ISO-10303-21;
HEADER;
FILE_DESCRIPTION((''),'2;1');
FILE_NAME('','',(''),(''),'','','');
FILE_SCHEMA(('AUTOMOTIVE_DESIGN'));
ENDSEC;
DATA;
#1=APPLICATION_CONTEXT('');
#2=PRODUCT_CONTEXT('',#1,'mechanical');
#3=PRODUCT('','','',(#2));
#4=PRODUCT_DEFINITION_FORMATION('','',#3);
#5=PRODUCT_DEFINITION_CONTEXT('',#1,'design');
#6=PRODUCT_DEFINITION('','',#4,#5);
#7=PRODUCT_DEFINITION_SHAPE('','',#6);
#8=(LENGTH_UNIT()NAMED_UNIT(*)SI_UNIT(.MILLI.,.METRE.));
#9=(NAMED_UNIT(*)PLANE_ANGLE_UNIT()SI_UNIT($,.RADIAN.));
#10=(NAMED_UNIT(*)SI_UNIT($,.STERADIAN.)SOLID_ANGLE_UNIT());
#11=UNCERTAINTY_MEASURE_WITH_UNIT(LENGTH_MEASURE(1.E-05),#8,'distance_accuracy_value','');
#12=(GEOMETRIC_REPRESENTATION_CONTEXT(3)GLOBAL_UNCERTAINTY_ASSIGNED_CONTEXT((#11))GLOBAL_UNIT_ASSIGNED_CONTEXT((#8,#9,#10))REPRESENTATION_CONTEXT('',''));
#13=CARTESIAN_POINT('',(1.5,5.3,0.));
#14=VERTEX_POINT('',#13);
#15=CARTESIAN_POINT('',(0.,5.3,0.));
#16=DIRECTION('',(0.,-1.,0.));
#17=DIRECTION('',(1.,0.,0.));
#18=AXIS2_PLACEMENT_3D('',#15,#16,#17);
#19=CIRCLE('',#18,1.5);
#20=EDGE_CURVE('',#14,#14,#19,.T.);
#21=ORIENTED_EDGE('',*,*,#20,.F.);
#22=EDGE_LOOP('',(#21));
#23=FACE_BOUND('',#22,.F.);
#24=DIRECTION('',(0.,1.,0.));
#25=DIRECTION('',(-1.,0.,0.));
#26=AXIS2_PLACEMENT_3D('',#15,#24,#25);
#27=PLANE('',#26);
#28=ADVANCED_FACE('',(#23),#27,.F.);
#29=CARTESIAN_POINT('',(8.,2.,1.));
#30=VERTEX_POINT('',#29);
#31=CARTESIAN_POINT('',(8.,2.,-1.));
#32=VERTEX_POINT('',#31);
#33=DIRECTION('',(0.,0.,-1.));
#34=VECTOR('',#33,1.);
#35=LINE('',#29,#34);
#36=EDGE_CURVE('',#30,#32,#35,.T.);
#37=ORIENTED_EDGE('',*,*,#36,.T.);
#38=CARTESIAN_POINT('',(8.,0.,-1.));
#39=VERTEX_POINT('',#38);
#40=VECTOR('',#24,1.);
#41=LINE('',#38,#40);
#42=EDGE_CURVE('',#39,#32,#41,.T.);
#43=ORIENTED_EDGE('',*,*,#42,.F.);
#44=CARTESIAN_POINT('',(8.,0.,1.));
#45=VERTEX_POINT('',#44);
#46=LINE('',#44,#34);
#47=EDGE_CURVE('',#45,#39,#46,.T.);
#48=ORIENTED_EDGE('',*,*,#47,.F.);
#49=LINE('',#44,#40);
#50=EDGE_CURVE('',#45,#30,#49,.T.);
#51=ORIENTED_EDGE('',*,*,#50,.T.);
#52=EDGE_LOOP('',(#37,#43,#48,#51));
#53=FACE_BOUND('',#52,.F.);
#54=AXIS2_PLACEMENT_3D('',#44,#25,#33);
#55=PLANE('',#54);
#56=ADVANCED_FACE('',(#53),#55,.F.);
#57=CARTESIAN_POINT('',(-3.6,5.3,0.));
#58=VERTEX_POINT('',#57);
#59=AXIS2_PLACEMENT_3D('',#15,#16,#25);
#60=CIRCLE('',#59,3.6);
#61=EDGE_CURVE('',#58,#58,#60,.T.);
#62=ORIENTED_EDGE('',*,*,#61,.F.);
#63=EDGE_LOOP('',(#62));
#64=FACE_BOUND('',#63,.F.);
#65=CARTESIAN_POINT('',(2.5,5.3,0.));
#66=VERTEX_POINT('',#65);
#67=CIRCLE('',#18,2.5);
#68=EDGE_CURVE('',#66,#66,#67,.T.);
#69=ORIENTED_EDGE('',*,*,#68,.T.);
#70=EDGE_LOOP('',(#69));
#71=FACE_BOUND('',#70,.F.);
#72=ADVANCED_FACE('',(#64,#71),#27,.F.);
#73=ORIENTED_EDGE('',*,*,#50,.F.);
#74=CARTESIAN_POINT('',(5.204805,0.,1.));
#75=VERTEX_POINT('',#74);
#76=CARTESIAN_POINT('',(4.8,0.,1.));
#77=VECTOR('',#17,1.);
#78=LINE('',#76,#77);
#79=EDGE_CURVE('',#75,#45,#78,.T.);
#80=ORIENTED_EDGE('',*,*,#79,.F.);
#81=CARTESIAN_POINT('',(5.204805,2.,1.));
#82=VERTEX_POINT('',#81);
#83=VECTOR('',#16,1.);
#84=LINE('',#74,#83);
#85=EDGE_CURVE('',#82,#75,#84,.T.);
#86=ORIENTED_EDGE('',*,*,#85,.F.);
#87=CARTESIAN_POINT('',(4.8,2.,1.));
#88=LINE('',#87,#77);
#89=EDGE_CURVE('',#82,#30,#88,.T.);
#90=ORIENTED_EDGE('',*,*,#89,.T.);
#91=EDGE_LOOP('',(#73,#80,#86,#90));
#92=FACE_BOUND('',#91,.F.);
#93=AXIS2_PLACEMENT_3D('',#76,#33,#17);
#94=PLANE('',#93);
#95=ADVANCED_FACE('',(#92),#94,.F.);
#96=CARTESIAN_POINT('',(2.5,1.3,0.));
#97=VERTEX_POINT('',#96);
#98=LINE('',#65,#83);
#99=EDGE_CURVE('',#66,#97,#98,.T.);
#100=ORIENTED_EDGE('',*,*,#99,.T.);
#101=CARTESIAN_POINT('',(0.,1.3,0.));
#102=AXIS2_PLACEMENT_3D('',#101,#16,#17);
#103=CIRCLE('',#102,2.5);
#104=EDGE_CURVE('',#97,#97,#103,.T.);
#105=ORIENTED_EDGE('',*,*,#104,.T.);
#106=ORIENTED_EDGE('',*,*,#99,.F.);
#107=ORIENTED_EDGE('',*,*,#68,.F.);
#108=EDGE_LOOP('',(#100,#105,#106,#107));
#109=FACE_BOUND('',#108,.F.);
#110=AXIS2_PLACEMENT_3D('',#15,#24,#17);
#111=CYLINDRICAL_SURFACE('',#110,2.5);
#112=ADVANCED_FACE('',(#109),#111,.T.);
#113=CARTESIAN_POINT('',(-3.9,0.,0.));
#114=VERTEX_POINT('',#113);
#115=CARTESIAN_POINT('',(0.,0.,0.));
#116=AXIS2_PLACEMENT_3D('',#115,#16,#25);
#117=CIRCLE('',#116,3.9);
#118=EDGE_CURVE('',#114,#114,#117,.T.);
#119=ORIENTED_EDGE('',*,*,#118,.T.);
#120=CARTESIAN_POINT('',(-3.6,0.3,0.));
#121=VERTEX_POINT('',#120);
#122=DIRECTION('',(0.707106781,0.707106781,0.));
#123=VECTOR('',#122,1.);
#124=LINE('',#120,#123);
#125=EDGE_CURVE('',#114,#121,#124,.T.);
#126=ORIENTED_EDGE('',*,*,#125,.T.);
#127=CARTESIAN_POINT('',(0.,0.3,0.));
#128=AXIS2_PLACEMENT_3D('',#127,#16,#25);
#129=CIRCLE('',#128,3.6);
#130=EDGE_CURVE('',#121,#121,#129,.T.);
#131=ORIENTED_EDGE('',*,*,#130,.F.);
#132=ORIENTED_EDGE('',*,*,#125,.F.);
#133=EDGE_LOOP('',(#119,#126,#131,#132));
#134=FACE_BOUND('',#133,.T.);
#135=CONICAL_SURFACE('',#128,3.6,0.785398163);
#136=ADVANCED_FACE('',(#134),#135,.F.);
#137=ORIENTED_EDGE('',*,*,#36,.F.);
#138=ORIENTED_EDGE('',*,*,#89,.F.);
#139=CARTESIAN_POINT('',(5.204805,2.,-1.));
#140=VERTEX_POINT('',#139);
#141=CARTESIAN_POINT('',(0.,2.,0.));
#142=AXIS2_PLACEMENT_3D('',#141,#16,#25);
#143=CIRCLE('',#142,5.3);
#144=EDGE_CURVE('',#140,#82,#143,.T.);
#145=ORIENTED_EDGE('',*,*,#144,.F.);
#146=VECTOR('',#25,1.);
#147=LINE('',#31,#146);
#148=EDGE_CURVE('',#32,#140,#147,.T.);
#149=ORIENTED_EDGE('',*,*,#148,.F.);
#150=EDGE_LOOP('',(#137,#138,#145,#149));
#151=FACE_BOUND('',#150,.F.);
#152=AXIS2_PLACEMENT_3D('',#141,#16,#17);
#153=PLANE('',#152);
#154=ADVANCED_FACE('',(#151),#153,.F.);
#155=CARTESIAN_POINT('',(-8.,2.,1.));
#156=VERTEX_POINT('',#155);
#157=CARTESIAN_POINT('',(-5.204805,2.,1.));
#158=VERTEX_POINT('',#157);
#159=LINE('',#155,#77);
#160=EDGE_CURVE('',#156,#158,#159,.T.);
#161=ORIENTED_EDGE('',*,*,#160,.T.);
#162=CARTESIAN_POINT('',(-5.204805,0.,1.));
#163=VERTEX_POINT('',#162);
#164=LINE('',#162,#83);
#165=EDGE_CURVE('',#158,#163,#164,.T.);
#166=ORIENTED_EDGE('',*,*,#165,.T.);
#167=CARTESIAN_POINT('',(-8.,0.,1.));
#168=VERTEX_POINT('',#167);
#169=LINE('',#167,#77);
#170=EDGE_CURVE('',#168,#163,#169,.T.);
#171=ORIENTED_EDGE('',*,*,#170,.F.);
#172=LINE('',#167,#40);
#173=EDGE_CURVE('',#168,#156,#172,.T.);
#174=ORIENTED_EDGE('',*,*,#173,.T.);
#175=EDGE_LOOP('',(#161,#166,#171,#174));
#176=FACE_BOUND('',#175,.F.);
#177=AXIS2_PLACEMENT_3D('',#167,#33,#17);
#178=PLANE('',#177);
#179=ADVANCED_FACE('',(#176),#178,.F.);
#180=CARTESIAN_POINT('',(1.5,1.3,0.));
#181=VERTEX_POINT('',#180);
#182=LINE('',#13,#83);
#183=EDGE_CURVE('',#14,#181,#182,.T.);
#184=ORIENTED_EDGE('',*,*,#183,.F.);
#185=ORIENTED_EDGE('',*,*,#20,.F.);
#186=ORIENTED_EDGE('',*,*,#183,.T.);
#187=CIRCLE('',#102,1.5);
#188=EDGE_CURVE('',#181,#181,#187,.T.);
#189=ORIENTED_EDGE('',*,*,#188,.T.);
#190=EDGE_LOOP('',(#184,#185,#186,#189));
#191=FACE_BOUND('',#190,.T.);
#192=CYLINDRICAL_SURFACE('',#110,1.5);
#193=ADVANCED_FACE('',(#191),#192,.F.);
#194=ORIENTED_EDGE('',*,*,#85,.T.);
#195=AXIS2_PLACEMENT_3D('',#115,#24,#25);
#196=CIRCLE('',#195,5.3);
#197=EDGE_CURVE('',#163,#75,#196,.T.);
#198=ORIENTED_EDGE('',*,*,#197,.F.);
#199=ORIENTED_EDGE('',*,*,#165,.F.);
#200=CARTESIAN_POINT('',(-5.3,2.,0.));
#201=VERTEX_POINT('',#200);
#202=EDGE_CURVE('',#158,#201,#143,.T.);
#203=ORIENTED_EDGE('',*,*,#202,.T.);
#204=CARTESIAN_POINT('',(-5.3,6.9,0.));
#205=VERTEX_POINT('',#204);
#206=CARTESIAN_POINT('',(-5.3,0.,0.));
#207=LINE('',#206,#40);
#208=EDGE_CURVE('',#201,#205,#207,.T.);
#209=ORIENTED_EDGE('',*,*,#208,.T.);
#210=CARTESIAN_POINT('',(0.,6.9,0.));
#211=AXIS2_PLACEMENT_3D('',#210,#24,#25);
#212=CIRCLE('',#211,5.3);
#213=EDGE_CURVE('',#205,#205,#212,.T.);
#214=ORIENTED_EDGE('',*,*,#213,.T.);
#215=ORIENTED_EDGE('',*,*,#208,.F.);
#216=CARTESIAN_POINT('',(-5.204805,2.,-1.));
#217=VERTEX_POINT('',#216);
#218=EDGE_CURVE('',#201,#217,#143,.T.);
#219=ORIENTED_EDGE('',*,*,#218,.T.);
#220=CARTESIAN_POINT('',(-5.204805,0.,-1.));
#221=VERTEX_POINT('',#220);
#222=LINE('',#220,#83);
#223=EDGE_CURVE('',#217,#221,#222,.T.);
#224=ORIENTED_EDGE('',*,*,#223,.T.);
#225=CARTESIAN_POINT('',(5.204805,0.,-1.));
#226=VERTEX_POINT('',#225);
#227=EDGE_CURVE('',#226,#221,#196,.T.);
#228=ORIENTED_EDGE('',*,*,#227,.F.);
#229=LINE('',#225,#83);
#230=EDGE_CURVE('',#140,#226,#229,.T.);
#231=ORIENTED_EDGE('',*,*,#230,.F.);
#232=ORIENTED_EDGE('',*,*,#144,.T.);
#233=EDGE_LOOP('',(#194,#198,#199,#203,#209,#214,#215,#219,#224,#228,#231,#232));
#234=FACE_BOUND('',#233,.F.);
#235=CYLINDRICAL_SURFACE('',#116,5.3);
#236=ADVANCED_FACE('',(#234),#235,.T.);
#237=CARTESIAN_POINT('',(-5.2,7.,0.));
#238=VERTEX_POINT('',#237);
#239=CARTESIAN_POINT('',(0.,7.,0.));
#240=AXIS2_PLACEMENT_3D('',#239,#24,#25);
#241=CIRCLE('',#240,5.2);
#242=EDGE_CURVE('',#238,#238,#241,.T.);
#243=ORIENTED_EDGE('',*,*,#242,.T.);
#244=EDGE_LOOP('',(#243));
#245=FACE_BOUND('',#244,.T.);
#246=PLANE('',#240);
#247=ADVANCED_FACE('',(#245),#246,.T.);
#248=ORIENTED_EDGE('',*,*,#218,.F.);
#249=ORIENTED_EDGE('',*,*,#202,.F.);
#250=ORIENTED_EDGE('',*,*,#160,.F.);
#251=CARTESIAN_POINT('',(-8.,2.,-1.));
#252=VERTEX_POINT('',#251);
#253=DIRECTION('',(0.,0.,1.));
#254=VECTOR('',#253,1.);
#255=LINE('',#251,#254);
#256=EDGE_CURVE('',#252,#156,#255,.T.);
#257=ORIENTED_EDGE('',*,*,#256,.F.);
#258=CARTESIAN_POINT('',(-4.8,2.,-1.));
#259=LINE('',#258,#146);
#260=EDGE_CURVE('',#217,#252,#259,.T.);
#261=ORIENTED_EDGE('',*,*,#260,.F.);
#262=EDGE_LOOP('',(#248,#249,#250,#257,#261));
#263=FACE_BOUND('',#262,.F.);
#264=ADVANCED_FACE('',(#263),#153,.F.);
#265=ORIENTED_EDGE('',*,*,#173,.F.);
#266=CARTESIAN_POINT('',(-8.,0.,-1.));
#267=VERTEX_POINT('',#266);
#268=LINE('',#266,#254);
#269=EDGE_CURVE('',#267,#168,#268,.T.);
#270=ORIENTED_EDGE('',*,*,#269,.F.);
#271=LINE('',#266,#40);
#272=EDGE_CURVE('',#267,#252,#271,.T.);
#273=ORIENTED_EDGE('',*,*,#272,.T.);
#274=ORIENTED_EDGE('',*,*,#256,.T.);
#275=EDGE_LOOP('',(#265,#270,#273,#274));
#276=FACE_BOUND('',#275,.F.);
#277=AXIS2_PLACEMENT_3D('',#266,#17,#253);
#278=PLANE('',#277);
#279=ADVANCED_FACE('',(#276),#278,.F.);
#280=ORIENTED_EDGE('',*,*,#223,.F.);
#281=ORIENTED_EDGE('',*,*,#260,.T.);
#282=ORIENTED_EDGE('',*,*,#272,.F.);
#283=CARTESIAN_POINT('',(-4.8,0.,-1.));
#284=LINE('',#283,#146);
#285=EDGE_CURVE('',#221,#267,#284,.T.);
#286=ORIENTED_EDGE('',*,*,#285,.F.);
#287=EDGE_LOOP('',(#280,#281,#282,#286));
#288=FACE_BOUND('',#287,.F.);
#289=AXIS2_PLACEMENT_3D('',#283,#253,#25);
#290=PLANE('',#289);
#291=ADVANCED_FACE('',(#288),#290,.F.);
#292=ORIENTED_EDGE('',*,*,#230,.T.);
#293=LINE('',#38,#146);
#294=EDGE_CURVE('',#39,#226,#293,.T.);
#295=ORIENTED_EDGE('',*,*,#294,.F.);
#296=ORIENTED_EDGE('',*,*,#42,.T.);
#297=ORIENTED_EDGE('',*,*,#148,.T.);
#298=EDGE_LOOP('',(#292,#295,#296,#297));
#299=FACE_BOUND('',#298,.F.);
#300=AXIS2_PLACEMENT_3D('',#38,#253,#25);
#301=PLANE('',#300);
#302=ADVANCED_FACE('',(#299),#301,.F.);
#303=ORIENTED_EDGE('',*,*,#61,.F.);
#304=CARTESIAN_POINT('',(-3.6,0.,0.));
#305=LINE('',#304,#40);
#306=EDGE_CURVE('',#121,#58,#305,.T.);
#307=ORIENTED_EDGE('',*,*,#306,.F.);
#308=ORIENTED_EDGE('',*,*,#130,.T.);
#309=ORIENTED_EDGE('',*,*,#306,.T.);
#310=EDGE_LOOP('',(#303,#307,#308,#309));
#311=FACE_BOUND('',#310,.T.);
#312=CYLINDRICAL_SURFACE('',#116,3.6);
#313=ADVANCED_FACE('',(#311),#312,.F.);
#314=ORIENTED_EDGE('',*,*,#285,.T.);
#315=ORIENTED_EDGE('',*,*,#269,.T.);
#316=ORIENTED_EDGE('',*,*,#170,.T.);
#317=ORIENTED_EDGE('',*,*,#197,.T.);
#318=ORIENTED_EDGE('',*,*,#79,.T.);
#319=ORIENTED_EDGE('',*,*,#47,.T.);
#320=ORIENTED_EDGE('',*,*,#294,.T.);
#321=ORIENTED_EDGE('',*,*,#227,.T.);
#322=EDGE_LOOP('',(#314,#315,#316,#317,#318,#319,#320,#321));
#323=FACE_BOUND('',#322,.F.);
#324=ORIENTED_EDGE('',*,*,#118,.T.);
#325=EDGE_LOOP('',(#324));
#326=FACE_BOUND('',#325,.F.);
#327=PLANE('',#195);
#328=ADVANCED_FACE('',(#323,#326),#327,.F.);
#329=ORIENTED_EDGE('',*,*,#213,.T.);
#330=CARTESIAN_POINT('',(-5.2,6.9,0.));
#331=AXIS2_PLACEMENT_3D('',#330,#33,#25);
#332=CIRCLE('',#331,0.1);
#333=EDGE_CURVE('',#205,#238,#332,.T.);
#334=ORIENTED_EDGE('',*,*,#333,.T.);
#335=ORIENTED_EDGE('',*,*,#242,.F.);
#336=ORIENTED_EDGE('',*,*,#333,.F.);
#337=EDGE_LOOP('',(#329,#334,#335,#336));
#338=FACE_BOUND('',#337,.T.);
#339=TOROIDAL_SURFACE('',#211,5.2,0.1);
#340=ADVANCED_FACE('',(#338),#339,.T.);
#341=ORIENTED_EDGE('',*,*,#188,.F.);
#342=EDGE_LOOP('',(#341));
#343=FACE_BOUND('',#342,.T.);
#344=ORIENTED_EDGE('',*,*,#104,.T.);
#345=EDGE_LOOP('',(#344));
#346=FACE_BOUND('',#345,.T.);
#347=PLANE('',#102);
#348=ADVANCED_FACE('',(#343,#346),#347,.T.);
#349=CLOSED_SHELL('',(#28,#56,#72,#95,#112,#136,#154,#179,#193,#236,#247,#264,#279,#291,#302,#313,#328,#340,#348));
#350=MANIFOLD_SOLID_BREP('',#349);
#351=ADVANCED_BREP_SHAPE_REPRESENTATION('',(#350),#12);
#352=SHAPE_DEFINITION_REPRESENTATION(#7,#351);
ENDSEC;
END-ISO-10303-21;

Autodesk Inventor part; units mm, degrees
ref_plane "YZ Plane" through (0, 0, 0) normal (1, 0, 0) x (0, 1, 0)
ref_plane "XZ Plane" through (0, 0, 0) normal (0, 1, 0) x (-1, 0, 0)
ref_plane "XY Plane" through (0, 0, 0) normal (0, 0, 1) x (1, 0, 0)
sketch "Esquisse1" plane through (0, 0, 0) normal (0, 1, 0) x (-1, 0, 0)
  circle A0 centre (0, 0) radius 5.3
  dimension "d0" = 10.6
extrude "Extrusion1" add sketch "Esquisse1" along normal blind 7
shell "Coque2" thickness 1.7 removed faces 1 at (-1.6995, 0, -1.9343)
sketch "Esquisse6" plane through (0, 5.3, 0) normal (0, -1, 0) x (1, 0, 0)
  circle A0 centre (0, 0) radius 2.5
  circle A1 centre (0, 0) radius 1.5
  dimension "d20" = 5
  dimension "d21" = 3
extrude "Extrusion4" add sketch "Esquisse6" along normal blind 4
sketch "Esquisse7" plane through (0, 0, 0) normal (0, -1, 0) x (1, 0, 0)
  line L0 (-8, 1) -> (-4.8, 1)
  line L1 (-4.8, 1) -> (-4.8, -1)
  line L2 (-4.8, -1) -> (-8, -1)
  line L3 (-8, -1) -> (-8, 1)
  line L4 (4.8, 1) -> (8, 1)
  line L5 (8, 1) -> (8, -1)
  line L6 (8, -1) -> (4.8, -1)
  line L7 (4.8, -1) -> (4.8, 1)
  point P0 (0, 0)
  dimension "d24" = 2
  dimension "d25" = 1
  dimension "d26" = 4.8
  dimension "d27" = 4.8
  dimension "d29" = 8
  dimension "d30" = 8
extrude "Extrusion5" add sketch "Esquisse7" against normal blind 2
fillet "Congé3" radius 0.1 1 edges at (5.3, 7, 0)
chamfer "Chanfrein1" distance 0.3 angle 45 1 edges at (3.6, 0, 0)
equation "\"d25\" = 0.5 * d24"
equation "\"d27\" = d26"
equation "\"d30\" = d29"
properties part number "Button-SNES" material "Plastique ABS"
